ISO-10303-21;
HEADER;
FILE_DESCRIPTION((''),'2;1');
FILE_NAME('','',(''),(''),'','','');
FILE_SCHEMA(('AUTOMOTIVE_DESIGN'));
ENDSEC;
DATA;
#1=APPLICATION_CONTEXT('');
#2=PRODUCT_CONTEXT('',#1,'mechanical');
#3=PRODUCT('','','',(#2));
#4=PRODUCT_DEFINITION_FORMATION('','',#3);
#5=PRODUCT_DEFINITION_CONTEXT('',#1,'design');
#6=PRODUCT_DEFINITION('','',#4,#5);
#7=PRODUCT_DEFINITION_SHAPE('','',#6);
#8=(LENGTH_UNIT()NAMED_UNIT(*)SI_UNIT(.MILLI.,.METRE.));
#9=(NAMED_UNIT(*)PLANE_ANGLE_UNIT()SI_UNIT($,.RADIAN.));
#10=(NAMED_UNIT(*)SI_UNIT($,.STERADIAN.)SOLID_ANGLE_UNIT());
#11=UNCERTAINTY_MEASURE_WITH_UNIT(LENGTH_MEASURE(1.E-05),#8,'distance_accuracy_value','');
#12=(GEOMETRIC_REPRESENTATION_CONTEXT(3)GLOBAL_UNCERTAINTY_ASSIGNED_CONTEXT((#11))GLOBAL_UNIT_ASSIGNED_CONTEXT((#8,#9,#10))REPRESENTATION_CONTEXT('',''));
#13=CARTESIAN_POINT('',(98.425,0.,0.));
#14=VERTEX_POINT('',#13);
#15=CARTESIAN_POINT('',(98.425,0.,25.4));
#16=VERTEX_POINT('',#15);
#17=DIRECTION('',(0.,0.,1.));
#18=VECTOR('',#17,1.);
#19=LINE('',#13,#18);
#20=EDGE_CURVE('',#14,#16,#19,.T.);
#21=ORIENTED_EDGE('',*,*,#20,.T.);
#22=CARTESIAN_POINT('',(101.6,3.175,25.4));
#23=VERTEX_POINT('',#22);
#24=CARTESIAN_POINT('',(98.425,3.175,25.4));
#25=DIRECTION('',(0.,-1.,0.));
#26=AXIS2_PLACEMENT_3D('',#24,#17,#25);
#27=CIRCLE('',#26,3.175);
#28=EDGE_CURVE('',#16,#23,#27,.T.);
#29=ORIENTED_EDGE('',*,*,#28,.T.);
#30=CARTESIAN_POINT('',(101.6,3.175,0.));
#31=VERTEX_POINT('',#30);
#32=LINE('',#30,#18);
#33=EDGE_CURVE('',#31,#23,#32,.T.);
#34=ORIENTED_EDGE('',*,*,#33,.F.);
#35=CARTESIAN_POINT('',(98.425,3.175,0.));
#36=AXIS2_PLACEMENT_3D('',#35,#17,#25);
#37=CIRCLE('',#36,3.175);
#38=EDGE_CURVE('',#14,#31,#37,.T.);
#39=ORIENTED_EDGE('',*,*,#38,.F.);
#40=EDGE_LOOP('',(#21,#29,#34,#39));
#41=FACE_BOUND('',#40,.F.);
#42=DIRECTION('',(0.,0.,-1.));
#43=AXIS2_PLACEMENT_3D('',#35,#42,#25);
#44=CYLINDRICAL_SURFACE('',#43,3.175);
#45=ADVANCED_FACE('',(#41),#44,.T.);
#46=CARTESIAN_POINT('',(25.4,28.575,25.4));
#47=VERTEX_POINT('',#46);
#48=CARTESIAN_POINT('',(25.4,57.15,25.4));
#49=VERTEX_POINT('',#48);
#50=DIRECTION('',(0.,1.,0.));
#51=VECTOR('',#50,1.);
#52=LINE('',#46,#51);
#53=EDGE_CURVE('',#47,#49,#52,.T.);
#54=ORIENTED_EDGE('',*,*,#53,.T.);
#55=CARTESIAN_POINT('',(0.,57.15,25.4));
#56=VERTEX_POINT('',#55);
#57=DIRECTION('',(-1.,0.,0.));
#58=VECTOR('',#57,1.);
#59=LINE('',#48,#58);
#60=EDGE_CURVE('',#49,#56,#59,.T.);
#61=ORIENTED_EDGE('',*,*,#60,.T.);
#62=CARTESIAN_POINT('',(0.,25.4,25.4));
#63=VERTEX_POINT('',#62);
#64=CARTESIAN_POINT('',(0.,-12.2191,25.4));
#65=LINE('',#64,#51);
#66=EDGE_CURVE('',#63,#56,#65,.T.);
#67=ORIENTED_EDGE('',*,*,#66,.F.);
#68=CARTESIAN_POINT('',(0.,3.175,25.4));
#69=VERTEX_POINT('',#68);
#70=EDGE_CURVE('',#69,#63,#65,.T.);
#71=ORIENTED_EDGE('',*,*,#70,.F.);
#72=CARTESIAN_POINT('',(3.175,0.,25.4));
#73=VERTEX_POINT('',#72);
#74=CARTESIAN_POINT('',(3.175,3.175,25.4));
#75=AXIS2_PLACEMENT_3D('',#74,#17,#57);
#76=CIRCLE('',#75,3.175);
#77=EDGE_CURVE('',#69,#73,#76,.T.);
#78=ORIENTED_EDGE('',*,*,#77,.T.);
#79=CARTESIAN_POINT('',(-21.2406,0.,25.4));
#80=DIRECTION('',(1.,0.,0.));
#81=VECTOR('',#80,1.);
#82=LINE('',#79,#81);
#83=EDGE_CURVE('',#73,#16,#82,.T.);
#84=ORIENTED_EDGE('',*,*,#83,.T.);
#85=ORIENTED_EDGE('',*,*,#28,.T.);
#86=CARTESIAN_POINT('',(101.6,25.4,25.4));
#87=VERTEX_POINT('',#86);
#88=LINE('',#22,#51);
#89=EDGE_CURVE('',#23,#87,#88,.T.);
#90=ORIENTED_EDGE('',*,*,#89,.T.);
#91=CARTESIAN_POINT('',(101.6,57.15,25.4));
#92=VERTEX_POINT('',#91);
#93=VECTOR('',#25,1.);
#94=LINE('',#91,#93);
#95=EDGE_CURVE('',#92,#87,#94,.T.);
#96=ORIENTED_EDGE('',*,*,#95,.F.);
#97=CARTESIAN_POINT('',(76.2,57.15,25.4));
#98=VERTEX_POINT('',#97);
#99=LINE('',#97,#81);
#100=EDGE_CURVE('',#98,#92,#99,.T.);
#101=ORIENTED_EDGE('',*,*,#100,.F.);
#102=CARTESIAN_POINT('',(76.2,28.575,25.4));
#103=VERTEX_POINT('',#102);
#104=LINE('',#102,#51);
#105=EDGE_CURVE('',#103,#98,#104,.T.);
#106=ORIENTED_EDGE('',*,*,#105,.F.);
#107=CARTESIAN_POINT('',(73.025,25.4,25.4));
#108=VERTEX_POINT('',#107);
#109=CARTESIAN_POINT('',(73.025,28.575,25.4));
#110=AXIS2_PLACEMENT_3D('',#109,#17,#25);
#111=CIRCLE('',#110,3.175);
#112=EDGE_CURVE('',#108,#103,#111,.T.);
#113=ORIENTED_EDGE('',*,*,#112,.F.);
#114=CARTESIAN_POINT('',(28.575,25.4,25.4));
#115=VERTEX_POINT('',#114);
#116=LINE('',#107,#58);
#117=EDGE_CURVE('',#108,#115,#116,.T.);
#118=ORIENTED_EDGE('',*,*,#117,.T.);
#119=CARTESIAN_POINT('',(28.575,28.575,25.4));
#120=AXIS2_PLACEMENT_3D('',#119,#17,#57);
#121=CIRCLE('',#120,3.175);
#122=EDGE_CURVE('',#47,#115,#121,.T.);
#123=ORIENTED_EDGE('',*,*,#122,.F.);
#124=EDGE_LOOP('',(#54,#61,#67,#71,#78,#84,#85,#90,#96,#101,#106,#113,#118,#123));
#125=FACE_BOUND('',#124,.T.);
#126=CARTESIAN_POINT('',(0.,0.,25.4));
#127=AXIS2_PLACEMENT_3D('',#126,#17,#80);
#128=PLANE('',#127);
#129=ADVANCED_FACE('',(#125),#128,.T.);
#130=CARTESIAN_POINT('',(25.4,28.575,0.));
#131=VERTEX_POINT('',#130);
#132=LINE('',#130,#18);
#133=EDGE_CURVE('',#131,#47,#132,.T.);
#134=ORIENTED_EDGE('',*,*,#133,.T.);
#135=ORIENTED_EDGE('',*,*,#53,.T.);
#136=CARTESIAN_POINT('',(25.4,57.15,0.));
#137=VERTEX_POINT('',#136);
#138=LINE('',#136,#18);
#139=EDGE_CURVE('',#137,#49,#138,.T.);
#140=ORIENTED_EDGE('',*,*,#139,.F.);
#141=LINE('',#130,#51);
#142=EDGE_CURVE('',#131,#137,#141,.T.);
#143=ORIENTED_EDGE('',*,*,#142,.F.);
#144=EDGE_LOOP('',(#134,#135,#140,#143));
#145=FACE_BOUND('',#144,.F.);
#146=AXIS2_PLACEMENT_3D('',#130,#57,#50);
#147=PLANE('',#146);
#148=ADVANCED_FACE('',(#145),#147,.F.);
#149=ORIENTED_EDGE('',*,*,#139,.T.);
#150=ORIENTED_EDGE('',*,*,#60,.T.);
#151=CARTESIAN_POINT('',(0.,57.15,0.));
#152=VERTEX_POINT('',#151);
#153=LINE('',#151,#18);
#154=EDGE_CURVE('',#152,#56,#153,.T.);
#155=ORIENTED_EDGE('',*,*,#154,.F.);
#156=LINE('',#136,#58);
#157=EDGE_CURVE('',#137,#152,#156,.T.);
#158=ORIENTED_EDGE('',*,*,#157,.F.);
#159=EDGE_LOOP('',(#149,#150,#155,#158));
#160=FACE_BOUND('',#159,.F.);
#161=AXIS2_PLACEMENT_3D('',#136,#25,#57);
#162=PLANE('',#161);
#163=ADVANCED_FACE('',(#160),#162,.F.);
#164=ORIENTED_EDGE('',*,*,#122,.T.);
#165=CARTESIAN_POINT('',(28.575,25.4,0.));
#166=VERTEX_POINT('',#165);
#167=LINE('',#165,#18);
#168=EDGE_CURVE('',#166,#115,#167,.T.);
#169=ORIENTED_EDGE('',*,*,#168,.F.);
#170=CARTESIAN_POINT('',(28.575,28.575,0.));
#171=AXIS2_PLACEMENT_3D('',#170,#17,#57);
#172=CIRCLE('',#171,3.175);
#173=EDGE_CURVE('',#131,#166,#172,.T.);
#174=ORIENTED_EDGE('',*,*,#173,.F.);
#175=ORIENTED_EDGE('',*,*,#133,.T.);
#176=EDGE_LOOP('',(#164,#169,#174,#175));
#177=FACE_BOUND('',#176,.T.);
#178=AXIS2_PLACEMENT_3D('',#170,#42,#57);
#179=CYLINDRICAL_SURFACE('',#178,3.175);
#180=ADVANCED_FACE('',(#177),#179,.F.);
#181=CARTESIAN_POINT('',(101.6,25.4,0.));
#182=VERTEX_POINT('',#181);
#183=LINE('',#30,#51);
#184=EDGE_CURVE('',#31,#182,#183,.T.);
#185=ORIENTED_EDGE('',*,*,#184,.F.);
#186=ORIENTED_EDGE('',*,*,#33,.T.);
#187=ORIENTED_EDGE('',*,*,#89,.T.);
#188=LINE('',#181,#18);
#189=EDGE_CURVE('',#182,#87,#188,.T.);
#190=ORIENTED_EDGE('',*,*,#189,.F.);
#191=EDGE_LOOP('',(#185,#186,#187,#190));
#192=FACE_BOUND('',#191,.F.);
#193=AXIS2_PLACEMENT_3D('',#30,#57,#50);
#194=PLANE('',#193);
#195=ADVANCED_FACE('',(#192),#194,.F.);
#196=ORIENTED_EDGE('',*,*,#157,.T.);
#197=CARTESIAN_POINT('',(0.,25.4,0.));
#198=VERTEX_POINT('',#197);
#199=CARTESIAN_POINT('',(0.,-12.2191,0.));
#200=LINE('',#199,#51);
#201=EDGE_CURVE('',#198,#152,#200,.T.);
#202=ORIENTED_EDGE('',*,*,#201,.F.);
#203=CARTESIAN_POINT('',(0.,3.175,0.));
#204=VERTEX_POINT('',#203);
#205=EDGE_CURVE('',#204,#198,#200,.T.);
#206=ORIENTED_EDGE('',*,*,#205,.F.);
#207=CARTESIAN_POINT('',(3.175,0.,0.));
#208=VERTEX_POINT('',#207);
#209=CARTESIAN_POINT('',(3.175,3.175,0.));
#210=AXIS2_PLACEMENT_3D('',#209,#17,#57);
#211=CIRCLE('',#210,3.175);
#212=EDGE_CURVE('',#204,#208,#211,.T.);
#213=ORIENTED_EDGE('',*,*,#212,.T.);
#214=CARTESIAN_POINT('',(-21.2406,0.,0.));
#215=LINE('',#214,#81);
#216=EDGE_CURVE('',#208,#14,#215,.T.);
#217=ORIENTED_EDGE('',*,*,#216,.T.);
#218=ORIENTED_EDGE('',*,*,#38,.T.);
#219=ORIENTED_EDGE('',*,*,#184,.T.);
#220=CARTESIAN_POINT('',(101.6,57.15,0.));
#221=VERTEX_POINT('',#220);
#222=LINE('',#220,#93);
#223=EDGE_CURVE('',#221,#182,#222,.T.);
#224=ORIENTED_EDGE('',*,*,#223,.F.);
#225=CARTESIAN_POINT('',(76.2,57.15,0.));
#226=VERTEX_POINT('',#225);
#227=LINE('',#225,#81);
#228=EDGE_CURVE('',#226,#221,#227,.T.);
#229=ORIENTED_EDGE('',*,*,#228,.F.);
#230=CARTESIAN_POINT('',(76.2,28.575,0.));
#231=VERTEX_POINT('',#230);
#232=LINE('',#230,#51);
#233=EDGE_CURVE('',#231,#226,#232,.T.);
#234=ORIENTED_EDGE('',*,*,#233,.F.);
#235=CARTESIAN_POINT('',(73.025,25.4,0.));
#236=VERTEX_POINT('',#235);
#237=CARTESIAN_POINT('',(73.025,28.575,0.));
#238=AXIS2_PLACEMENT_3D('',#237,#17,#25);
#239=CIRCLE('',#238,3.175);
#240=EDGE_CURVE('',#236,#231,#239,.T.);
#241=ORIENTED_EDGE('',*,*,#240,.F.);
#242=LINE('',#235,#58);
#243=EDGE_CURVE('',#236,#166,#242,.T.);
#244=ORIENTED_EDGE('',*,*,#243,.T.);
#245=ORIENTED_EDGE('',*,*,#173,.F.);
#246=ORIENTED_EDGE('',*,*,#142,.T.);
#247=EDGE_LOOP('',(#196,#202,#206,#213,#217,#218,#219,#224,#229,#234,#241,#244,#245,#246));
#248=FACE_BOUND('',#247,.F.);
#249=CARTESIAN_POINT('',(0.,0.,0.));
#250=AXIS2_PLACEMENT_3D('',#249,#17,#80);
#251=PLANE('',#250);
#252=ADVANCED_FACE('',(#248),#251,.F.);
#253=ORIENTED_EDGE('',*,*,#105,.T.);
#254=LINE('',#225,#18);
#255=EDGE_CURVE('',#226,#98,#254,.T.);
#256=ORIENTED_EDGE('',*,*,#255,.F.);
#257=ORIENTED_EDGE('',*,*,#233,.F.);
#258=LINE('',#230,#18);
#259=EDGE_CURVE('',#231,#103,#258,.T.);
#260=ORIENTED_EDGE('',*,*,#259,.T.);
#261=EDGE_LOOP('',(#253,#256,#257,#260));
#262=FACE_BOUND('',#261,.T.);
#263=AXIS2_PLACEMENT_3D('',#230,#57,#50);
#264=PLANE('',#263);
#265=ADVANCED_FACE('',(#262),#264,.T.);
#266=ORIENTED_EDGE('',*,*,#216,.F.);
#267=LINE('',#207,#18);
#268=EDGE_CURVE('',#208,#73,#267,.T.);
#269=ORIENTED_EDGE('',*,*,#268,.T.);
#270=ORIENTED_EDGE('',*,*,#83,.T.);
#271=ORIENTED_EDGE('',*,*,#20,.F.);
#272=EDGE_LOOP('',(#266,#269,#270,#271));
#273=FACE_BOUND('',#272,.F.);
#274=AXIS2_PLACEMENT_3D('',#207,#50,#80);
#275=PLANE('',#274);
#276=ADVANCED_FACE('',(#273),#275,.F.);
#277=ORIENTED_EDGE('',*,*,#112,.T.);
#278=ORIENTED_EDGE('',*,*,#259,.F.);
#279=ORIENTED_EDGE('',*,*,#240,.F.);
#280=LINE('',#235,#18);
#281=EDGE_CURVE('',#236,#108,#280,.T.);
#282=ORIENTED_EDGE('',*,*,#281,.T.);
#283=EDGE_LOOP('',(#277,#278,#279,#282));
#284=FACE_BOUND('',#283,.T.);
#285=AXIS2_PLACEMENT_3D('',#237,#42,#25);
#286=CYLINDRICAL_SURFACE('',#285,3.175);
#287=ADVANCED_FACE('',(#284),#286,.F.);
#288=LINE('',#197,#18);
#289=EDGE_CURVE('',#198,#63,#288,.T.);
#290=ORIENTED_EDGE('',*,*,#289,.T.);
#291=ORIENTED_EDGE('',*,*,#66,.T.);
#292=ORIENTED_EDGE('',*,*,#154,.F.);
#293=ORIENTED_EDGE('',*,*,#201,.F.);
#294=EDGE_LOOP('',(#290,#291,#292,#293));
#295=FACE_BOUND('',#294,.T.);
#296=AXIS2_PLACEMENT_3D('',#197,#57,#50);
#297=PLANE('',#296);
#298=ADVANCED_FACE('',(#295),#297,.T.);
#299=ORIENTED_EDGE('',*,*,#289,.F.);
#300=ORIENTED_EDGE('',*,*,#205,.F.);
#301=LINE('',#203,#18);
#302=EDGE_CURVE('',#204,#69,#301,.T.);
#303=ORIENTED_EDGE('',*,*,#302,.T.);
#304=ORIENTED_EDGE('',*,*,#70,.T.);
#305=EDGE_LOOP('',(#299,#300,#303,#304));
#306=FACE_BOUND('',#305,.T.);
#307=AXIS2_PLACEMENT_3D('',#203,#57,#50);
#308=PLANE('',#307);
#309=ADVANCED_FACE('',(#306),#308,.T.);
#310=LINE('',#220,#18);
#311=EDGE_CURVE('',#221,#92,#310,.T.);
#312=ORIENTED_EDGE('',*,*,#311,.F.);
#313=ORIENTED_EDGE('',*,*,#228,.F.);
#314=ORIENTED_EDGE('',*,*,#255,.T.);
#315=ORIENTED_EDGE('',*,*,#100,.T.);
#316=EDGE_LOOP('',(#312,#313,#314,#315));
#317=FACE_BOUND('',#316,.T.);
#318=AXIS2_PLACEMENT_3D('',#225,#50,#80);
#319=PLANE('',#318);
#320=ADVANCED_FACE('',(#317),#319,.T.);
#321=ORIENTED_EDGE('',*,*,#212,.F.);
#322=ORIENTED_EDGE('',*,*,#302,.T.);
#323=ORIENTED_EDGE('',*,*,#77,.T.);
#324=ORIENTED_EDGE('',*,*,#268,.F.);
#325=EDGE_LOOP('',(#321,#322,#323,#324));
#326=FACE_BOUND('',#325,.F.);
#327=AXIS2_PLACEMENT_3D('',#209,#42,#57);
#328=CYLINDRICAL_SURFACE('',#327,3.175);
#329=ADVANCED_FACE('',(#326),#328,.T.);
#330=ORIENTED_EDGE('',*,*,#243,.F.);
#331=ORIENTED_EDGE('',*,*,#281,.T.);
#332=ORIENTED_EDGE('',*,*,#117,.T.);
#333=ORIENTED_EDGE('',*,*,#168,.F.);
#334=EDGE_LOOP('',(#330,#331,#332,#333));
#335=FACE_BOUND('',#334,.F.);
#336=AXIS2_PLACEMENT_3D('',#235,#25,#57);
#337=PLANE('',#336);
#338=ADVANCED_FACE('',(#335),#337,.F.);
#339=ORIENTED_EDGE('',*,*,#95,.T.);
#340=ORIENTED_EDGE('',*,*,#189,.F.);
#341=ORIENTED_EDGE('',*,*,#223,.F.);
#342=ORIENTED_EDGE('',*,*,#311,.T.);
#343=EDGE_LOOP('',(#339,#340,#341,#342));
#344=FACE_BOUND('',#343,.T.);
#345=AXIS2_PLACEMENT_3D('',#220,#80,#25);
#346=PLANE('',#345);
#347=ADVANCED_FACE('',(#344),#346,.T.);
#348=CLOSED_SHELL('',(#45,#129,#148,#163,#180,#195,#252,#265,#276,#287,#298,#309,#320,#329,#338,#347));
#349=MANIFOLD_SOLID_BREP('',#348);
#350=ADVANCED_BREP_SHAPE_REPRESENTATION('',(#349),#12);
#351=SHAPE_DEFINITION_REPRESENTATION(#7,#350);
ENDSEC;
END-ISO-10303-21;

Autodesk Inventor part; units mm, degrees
ref_plane "YZ Plane" through (0, 0, 0) normal (1, 0, 0) x (0, 1, 0)
ref_plane "XZ Plane" through (0, 0, 0) normal (0, 1, 0) x (-1, 0, 0)
ref_plane "XY Plane" through (0, 0, 0) normal (0, 0, 1) x (1, 0, 0)
sketch "Sketch1" plane through (0, 0, 0) normal (0, 0, 1) x (1, 0, 0)
  line L0 (-21.2406, 0) -> (122.8406, 0) projected
  line L1 (0, -12.2191) -> (0, 68.7115) projected
  line L2 (3.175, 0) -> (98.425, 0)
  line L3 (101.6, 3.175) -> (101.6, 25.4)
  line L4 (73.025, 25.4) -> (28.575, 25.4)
  line L5 (0, 25.4) -> (0, 3.175)
  line L6 (0, 25.4) -> (25.4, 25.4)
  line L7 (25.4, 28.575) -> (25.4, 57.15)
  line L8 (25.4, 57.15) -> (0, 57.15)
  line L9 (0, 57.15) -> (0, 25.4)
  line L10 (76.2, 57.15) -> (101.6, 57.15)
  line L11 (101.6, 57.15) -> (101.6, 25.4)
  line L12 (101.6, 25.4) -> (76.2, 25.4)
  line L13 (76.2, 28.575) -> (76.2, 57.15)
  arc A0 (25.4, 28.575) -> (28.575, 25.4) centre (28.575, 28.575) ccw
  arc A1 (73.025, 25.4) -> (76.2, 28.575) centre (73.025, 28.575) ccw
  arc A2 (98.425, 0) -> (101.6, 3.175) centre (98.425, 3.175) ccw
  arc A3 (0, 3.175) -> (3.175, 0) centre (3.175, 3.175) ccw
  point P0 (0, 0)
  point P1 (101.6, 0)
  dimension "d0" = 101.6
  dimension "d1" = 25.4
  dimension "d2" = 25.4
  dimension "d3" = 57.15
  dimension "d4" = 25.4
  dimension "d5" = 57.15
  dimension "d6" = 3.175
extrude "Extrusion1" add sketch "Sketch1" along normal blind 25.4 contours A3 L1 L8 L7 A0 L4 A1 L13 L10 L11 L3 A2 L0
properties part number "ferrite_core"
